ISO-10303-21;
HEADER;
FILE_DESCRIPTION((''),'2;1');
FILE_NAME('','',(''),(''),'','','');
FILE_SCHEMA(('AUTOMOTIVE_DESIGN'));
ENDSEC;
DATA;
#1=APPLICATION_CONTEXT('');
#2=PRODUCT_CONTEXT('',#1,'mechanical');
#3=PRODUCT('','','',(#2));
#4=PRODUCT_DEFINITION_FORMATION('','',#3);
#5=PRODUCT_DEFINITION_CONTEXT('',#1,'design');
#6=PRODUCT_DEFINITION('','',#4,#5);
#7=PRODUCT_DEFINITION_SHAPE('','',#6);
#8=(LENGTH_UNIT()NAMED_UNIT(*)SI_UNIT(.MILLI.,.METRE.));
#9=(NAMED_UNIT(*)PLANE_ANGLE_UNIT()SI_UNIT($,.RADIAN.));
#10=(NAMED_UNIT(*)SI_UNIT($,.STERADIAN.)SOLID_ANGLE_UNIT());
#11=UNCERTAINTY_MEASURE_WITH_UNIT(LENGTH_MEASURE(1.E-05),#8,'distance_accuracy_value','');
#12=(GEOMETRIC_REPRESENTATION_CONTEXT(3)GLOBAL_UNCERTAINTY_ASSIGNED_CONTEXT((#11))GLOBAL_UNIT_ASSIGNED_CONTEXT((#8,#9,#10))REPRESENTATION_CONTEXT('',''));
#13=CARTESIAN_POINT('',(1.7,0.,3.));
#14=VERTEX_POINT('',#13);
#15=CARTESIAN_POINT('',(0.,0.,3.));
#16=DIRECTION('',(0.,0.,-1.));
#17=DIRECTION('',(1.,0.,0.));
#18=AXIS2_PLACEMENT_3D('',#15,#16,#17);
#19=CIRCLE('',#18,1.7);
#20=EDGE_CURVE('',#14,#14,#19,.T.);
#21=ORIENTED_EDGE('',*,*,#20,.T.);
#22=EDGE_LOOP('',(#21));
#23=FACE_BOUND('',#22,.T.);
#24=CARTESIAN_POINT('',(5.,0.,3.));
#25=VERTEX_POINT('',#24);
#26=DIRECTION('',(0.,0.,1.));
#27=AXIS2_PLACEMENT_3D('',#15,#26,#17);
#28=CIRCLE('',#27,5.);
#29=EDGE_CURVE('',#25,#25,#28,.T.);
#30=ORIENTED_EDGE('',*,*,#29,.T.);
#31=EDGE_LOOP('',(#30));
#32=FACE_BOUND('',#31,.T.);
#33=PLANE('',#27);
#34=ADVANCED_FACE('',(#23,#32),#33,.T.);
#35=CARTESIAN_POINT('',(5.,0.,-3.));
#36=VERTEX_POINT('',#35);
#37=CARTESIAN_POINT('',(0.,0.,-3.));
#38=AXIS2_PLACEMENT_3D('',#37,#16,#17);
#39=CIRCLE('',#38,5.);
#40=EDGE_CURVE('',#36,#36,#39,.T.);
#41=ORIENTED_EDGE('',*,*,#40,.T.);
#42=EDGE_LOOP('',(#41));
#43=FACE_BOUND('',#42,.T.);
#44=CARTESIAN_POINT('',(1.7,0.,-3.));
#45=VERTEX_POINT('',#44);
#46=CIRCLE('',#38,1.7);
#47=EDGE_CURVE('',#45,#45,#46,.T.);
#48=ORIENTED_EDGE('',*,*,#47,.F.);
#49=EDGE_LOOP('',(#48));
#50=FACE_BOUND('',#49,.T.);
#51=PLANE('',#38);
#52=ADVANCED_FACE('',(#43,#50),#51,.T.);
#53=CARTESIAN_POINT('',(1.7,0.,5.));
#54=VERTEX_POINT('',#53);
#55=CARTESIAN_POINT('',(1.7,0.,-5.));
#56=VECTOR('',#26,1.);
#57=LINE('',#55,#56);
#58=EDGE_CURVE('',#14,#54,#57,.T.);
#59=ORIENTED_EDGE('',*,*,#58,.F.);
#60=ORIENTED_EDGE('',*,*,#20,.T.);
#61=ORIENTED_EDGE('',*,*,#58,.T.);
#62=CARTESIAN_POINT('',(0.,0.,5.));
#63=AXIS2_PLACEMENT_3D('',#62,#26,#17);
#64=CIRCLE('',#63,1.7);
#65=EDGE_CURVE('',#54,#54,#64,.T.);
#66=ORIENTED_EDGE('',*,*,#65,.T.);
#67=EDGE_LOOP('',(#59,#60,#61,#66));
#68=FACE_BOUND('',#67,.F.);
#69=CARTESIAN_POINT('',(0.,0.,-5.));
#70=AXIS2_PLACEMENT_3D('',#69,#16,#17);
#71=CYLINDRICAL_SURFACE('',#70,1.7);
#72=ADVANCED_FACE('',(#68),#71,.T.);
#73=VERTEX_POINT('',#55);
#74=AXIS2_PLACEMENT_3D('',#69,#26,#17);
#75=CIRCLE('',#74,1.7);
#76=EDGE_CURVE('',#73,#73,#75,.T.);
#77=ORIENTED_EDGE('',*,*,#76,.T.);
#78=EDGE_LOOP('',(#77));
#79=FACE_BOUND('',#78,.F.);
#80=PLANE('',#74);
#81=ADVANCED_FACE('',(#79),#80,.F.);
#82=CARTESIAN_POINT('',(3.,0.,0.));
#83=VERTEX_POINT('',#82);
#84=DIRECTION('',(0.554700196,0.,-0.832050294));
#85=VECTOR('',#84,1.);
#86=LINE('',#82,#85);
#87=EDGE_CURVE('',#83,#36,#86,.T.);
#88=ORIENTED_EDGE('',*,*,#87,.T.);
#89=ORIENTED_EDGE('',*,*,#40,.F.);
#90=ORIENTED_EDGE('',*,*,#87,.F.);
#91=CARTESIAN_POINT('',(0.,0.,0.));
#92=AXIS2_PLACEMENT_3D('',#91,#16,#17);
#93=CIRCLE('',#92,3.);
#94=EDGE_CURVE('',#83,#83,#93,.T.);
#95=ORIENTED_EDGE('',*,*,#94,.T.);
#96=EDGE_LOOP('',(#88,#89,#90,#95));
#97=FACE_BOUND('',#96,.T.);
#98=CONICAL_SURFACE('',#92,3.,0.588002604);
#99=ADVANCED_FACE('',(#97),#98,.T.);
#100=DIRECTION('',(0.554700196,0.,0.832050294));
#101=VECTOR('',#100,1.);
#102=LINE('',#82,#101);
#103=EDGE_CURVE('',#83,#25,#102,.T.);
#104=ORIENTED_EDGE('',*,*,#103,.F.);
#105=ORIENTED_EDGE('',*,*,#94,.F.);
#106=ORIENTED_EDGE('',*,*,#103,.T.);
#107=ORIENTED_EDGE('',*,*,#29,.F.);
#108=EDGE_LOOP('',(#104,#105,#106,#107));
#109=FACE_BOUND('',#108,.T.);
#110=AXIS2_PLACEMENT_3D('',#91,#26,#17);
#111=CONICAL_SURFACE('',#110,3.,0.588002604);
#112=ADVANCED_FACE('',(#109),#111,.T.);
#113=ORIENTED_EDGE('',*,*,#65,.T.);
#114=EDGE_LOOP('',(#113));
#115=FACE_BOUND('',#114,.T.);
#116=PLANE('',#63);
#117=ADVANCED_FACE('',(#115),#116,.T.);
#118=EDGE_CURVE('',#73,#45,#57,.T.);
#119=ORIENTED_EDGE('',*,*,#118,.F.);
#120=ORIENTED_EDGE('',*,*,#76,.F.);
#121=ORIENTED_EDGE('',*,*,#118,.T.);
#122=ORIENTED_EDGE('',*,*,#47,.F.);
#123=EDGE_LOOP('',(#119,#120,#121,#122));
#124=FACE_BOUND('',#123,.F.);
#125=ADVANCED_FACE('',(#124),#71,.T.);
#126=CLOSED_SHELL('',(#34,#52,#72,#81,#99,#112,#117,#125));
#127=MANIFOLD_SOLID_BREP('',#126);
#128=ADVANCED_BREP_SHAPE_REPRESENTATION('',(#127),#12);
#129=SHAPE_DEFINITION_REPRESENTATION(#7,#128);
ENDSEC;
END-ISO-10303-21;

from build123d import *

# Parameters (mm, degrees)
CYLINDER_R     = 1.7
CYLINDER_DEPTH = 10


with BuildPart() as cono:
    # Cone → Cone (revolve)
    with BuildSketch(Plane.XZ):
        Polygon((0, 0), (3, 0), (5, 3), (0, 3), align=None)
    revolve(axis=Axis((0, 0, 0), (0, 0, 1)))


with BuildPart() as fusion:
    # Cone001 → Cone001 (revolve)
    with BuildSketch(Plane(origin=(0, 0, 0), x_dir=(1, 0, 0), z_dir=(0, 1, 0))):
        Polygon((0, 0), (3, 0), (5, 3), (0, 3), align=None)
    revolve(axis=Axis((0, 0, 0), (0, 0, -1)))

    # Fusion: union Cono
    add(cono.part)


with BuildPart() as fusion001002:
    # Cylinder → Cylinder (new body)
    with BuildSketch(Plane.XY.offset(-5)):
        Circle(CYLINDER_R)
    extrude(amount=CYLINDER_DEPTH)

    # Fusion001002: union Fusion
    add(fusion.part)


solid = fusion001002.part
